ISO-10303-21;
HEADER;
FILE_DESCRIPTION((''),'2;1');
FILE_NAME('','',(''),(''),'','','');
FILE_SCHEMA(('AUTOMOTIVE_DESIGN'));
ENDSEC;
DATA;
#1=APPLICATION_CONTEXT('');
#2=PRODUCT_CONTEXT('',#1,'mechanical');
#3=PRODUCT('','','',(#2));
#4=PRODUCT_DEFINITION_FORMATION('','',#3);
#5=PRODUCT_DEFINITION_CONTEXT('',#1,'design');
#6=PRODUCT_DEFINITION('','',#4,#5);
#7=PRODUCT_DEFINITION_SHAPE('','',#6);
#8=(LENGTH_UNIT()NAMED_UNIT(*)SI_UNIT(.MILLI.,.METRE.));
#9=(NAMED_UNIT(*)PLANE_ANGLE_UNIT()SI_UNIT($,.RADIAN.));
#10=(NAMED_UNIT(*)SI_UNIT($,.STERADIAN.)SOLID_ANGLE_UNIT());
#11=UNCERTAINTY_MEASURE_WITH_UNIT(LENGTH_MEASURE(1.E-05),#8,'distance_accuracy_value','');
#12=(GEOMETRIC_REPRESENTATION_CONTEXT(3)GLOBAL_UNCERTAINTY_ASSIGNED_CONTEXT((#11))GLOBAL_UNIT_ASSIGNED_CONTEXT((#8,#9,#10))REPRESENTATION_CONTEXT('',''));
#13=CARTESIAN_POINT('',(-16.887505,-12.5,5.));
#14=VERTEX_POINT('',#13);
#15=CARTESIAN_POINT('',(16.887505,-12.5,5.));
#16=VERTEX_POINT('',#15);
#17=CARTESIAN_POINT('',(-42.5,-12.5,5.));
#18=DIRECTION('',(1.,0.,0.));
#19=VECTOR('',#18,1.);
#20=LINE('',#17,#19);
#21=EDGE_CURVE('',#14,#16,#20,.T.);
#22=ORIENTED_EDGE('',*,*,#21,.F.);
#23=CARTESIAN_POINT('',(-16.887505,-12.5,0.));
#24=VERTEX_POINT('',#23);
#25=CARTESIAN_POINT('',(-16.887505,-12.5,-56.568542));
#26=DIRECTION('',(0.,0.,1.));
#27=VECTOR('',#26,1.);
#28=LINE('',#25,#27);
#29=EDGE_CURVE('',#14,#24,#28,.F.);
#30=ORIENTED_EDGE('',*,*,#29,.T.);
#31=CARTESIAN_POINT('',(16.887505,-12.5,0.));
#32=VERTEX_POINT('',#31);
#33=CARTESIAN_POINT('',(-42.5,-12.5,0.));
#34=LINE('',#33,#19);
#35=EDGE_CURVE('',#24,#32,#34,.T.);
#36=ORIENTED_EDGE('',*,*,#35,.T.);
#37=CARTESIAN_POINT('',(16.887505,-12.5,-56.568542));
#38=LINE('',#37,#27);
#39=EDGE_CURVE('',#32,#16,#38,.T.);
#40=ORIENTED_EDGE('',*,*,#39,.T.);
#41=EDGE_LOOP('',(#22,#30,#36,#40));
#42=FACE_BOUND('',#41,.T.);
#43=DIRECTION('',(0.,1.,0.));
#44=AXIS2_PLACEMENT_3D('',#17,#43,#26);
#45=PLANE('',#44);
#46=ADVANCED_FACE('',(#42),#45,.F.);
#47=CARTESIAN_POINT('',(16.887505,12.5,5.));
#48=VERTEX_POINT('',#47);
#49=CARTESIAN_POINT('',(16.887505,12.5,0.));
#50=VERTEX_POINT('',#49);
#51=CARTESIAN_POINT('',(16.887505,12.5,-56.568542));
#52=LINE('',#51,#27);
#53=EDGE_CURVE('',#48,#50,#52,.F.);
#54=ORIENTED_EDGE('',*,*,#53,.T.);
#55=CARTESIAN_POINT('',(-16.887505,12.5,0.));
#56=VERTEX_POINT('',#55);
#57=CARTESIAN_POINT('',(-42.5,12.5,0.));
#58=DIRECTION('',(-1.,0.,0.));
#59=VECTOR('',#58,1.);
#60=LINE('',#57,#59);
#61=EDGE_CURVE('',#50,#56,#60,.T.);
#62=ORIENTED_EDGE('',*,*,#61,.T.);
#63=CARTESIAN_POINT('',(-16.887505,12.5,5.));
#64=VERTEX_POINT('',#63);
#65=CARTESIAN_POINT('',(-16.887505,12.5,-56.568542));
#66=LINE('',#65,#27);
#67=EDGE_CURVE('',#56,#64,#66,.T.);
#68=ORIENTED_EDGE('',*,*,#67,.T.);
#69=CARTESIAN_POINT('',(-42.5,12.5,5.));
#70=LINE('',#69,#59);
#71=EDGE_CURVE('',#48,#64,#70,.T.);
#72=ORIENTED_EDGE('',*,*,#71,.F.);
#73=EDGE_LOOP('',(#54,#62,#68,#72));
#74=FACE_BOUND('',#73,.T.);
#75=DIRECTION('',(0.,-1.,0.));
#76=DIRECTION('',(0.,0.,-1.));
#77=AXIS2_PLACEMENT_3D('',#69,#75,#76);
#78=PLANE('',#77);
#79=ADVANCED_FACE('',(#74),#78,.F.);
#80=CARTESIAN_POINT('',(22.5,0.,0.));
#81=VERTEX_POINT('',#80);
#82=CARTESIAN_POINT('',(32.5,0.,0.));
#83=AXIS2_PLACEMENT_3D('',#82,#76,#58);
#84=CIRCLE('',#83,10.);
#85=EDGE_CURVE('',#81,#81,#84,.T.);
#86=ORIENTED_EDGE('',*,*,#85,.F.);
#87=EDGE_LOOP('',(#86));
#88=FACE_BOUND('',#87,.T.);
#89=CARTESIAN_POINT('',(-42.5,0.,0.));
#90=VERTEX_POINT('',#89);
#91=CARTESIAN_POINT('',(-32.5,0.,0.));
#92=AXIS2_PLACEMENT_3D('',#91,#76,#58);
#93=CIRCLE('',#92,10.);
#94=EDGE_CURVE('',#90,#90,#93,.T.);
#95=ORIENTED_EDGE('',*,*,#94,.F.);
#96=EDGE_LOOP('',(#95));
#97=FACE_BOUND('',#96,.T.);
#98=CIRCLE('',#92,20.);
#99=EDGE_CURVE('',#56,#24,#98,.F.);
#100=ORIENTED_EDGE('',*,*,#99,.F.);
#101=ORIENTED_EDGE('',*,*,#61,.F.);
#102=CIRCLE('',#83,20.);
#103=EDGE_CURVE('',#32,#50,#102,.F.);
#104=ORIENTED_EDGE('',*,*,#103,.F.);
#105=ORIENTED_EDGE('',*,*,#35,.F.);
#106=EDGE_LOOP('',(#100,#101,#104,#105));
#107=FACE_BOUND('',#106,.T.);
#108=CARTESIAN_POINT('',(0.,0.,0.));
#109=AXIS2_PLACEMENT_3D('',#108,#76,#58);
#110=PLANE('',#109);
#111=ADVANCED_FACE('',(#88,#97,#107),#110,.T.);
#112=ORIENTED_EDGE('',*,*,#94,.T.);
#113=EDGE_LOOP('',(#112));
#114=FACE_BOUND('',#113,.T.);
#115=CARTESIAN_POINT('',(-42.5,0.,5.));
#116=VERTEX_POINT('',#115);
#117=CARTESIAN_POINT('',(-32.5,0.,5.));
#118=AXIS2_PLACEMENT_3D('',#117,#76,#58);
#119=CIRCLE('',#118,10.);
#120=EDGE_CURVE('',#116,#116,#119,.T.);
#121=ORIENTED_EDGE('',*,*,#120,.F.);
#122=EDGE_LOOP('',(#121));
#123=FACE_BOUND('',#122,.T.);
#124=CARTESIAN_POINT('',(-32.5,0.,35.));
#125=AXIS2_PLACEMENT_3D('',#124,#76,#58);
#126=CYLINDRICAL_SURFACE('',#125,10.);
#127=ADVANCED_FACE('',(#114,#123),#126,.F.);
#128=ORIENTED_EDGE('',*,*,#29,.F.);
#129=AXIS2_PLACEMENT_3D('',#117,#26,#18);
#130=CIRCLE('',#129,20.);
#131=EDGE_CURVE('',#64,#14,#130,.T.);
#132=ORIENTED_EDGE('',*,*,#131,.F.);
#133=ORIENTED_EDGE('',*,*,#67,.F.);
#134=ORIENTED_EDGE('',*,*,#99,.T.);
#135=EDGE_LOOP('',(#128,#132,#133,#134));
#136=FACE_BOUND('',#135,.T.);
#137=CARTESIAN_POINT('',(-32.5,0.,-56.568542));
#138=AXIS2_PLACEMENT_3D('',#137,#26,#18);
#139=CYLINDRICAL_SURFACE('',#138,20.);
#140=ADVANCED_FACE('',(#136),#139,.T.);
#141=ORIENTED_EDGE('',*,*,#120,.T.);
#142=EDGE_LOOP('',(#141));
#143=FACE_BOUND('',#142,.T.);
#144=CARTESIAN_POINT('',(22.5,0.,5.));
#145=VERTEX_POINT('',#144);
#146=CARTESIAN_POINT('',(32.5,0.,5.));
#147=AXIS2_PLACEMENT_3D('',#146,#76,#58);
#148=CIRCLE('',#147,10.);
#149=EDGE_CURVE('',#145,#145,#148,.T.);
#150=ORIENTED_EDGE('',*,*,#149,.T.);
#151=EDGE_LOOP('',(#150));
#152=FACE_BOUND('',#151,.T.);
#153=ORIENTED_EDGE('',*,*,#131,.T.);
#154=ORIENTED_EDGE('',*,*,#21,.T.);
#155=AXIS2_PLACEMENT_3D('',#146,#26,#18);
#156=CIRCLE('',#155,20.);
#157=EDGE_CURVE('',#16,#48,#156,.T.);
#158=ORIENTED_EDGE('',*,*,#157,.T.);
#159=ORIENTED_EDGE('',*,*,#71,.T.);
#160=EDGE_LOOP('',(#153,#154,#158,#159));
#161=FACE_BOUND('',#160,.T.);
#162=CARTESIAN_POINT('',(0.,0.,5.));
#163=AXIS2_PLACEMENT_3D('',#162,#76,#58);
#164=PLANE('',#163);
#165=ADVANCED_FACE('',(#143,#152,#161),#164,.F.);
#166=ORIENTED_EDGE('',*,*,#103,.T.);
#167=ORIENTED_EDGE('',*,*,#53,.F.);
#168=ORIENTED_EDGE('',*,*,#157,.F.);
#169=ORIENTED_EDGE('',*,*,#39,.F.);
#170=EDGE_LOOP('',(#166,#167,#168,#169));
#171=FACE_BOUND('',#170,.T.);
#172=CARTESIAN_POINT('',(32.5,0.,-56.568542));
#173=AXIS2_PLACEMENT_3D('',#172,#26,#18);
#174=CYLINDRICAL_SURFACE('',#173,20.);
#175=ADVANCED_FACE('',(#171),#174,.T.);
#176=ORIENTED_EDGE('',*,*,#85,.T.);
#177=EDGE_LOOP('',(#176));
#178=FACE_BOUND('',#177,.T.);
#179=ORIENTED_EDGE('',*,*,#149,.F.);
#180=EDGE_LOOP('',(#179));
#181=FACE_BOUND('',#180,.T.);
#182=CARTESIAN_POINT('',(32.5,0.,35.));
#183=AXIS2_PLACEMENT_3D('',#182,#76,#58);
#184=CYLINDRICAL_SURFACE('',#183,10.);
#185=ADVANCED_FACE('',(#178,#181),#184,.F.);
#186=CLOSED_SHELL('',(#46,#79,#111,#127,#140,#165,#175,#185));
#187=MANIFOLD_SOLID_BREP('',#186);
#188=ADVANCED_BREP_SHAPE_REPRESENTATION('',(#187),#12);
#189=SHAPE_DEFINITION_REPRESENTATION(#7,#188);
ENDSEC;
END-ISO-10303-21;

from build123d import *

# Parameters (mm, degrees)
SKETCH_1_W          = 85
SKETCH_1_H          = 25
EXTRUDE_1_DEPTH     = 5
SKETCH_2_R          = 20
EXTRUDE_2_DEPTH     = 5
SKETCH_3_R          = 10
CUT_EXTRUDE_1_DEPTH = 35


with BuildPart() as part:
    # 草图1 → 凸台-拉伸1 (new body)
    with BuildSketch(Plane.XY):
        Rectangle(SKETCH_1_W, SKETCH_1_H)
    extrude(amount=EXTRUDE_1_DEPTH)

    # 草图2 → 凸台-拉伸2 (add)
    with BuildSketch(Plane.XY.offset(5)):
        with Locations((32.5, 0)):
            Circle(SKETCH_2_R)
        with Locations((-32.5, 0)):
            Circle(SKETCH_2_R)
    extrude(amount=-EXTRUDE_2_DEPTH)

    # 草图3 → 切除-拉伸1 (cut)
    with BuildSketch(Plane(origin=(0, 0, 0), x_dir=(-1, 0, 0), z_dir=(0, 0, -1))):
        with Locations((-32.5, 0)):
            Circle(SKETCH_3_R)
        with Locations((32.5, 0)):
            Circle(SKETCH_3_R)
    extrude(amount=-CUT_EXTRUDE_1_DEPTH, mode=Mode.SUBTRACT)


solid = part.part
